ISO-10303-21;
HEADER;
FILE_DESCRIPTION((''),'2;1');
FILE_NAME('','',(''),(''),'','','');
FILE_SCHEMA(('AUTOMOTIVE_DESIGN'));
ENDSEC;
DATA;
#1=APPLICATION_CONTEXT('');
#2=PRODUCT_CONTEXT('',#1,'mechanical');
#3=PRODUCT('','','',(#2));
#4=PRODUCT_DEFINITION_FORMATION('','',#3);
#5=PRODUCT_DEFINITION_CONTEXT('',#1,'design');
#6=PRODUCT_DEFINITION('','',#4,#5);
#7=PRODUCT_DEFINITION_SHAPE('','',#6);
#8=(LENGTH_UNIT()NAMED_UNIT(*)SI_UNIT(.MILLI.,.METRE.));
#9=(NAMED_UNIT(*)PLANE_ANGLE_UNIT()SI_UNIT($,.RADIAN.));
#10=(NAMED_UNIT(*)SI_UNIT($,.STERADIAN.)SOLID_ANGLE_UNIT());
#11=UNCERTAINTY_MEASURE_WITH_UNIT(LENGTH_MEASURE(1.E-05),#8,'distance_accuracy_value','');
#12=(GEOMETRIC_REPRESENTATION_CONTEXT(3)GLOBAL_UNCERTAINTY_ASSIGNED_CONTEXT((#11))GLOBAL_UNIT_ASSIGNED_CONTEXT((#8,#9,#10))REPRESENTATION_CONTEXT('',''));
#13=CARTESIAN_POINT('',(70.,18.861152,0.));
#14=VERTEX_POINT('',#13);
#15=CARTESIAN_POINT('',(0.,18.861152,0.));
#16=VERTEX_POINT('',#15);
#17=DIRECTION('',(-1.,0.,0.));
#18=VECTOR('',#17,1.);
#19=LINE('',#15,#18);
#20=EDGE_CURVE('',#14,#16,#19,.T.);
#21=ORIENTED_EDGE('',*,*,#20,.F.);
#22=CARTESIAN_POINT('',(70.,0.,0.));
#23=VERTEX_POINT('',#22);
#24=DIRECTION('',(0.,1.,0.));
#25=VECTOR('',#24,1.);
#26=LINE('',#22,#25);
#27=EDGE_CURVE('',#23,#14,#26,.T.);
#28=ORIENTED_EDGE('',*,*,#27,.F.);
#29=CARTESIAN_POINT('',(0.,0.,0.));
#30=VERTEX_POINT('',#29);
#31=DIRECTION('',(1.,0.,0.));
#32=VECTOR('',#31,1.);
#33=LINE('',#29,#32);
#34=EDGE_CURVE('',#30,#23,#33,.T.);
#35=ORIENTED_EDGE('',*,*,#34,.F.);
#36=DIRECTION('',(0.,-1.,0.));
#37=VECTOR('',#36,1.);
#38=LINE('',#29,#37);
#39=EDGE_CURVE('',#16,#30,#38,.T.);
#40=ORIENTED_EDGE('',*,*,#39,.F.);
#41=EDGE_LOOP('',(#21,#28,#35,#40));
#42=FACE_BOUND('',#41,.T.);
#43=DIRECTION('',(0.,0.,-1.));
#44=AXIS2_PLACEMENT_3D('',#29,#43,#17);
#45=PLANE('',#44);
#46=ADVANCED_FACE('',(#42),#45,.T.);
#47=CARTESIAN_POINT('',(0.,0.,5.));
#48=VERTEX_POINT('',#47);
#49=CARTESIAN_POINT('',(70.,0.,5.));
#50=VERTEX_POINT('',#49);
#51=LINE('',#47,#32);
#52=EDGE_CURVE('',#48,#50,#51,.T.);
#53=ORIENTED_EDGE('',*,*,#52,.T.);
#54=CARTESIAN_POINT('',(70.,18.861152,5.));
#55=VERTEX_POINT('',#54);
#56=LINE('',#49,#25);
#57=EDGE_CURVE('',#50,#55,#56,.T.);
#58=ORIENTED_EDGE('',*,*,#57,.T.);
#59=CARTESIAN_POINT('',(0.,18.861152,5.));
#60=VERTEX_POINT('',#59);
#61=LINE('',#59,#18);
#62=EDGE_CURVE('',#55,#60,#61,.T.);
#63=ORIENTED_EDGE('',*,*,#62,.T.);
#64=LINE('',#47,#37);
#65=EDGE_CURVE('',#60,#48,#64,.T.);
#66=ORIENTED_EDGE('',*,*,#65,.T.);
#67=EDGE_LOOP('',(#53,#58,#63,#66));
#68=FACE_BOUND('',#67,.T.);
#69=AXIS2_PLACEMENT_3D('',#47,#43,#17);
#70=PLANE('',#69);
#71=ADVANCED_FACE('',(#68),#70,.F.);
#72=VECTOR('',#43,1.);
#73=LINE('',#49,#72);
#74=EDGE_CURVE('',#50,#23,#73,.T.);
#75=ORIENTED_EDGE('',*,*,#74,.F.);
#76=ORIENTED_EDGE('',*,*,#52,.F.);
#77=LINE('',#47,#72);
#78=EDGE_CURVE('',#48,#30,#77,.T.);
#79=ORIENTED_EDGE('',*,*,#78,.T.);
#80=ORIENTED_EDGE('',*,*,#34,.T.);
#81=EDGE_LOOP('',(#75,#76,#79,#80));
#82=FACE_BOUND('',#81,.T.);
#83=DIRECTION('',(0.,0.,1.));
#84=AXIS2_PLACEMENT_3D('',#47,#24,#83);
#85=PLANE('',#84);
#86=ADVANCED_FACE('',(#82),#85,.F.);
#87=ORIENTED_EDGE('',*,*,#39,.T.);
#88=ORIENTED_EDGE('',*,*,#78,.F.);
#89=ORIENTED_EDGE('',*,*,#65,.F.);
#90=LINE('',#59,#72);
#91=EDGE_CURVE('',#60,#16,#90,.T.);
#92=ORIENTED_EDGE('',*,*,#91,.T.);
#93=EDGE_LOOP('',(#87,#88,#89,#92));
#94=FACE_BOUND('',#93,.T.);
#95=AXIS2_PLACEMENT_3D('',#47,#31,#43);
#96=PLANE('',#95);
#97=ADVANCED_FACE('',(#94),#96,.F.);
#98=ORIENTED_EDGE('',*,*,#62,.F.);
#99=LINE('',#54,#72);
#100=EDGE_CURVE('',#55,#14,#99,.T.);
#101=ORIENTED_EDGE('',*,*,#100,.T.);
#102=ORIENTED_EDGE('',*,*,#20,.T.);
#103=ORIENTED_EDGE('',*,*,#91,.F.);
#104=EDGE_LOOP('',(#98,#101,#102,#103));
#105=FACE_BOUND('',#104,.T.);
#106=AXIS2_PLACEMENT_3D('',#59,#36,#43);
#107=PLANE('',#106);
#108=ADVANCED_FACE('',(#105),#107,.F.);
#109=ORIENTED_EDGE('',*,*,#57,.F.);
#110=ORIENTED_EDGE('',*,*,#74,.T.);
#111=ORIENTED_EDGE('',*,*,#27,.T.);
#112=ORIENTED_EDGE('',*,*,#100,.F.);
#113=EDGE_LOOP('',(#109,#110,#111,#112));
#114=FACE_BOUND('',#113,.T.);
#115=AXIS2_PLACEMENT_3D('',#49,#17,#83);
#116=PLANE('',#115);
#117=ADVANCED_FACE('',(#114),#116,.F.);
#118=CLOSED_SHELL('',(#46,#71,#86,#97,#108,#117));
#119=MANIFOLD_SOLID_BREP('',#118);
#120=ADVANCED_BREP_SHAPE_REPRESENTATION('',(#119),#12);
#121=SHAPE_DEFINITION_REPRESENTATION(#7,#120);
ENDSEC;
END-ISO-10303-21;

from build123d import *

# Parameters (mm, degrees)
CROQUIS1_W              = 70
CROQUIS1_H              = 18.861152416
SALIENTE_EXTRUIR1_DEPTH = 5


with BuildPart() as part:
    # Croquis1 → Saliente-Extruir1 (new body)
    with BuildSketch(Plane.XY):
        with Locations((35, 9.430576208)):
            Rectangle(CROQUIS1_W, CROQUIS1_H)
    extrude(amount=SALIENTE_EXTRUIR1_DEPTH)


solid = part.part
